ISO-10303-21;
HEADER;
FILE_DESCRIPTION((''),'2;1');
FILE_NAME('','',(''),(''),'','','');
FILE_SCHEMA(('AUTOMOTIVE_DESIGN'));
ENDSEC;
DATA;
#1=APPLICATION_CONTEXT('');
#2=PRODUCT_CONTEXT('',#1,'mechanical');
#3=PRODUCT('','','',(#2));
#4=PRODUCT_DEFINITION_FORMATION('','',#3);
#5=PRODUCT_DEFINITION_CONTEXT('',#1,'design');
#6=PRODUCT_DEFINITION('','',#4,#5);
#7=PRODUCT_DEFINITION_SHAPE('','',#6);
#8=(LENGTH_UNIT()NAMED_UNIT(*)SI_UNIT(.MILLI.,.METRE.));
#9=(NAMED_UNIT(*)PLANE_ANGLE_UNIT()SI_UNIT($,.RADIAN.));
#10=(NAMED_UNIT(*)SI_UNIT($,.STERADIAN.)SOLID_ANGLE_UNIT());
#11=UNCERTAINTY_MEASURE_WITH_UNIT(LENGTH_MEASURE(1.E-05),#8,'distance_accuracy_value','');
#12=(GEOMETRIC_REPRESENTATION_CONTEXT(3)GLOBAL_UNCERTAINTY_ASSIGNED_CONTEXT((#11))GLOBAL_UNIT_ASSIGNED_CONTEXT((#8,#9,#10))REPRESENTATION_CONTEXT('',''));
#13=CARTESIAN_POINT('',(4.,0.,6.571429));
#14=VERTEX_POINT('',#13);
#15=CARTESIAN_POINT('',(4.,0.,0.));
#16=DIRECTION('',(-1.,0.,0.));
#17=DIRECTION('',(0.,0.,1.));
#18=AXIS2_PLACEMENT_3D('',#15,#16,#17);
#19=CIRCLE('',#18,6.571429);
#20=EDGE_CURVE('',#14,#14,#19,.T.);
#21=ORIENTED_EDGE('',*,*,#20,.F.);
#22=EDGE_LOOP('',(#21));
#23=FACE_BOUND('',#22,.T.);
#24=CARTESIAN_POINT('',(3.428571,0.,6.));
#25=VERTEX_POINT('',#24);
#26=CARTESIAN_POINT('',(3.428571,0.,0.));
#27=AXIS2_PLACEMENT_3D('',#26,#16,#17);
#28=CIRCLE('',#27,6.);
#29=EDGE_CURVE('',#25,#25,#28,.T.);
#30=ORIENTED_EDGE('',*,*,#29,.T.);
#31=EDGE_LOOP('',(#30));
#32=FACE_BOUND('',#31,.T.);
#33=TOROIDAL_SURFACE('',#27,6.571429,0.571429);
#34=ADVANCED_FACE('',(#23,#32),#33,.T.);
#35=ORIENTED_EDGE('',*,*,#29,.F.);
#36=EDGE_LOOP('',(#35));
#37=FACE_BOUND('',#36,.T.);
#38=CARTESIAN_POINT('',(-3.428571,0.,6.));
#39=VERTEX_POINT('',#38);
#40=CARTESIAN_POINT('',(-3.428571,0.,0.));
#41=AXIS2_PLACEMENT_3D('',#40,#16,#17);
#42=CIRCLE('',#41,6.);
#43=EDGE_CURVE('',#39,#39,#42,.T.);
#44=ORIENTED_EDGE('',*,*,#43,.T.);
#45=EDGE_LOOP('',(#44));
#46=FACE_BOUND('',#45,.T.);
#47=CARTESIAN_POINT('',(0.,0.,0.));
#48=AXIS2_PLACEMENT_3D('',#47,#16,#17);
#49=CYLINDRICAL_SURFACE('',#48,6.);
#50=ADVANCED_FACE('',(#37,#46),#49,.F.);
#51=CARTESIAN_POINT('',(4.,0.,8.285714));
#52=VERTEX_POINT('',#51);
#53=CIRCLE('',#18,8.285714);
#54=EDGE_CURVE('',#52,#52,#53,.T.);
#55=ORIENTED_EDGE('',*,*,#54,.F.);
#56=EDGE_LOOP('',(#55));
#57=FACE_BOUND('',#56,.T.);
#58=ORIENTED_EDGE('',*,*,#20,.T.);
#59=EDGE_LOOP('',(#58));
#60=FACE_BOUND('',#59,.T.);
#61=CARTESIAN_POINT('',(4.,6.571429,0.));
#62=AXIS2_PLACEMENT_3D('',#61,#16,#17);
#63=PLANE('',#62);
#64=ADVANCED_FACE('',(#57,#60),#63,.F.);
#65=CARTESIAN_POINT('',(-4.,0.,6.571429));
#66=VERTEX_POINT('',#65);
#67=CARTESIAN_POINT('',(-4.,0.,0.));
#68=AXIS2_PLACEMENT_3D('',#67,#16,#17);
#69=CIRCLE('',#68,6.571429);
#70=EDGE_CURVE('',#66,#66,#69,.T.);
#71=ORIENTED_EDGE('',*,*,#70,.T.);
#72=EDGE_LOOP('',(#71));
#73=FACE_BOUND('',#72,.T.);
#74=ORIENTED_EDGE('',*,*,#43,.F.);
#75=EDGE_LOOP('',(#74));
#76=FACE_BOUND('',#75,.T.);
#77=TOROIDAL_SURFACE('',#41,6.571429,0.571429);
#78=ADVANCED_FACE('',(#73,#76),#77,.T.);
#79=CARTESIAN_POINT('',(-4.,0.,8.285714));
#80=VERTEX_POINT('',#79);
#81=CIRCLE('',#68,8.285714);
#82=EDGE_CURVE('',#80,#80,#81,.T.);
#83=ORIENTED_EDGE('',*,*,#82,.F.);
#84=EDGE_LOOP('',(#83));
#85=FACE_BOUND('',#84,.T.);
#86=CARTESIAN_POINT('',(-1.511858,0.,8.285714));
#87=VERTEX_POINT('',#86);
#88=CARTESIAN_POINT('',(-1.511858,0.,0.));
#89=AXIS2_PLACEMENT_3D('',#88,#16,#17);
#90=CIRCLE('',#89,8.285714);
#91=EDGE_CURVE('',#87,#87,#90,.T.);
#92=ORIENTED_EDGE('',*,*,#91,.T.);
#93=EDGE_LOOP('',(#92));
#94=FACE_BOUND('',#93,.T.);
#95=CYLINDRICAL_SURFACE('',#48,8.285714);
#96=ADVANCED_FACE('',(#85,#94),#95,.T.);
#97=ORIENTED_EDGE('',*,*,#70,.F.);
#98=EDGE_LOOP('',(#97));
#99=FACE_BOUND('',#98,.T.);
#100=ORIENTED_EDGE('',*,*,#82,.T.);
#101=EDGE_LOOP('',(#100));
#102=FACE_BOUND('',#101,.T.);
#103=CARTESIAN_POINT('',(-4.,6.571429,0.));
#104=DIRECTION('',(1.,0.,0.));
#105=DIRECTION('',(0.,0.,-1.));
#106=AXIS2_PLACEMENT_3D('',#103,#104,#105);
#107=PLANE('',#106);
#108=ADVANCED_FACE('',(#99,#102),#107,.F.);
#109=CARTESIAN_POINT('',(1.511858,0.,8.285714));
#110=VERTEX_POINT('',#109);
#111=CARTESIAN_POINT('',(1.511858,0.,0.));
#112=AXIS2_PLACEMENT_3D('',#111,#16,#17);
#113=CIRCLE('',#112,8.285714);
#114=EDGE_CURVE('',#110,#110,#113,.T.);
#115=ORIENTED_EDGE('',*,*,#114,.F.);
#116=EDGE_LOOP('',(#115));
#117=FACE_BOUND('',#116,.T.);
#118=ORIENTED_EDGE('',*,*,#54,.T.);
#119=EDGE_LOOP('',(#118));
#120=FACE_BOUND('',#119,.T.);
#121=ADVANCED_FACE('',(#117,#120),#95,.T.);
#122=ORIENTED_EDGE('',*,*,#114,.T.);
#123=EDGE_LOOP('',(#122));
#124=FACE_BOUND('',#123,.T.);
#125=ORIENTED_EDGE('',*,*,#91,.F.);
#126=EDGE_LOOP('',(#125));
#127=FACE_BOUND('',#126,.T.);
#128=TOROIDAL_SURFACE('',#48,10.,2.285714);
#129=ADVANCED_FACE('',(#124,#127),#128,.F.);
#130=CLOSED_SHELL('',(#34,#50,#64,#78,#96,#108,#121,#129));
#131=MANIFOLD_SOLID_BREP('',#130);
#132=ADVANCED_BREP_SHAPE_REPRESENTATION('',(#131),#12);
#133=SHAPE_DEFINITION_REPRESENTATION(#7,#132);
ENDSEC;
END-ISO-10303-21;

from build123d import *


with BuildPart() as part:
    # Esquisse1 → Base-Révolution (revolve)
    with BuildSketch(Plane.XY):
        with BuildLine():
            Line((-3.428571429, 6), (3.428571429, 6))
            ThreePointArc((3.428571429, 6), (3.832632446, 6.167367554), (4, 6.571428571))
            Line((4, 6.571428571), (4, 8.285714286))
            Line((4, 8.285714286), (1.511857892, 8.285714286))
            ThreePointArc((1.511857892, 8.285714286), (0, 7.714285714), (-1.511857892, 8.285714286))
            Line((-1.511857892, 8.285714286), (-4, 8.285714286))
            Line((-4, 8.285714286), (-4, 6.571428571))
            ThreePointArc((-4, 6.571428571), (-3.832632446, 6.167367554), (-3.428571429, 6))
        make_face()
    revolve(axis=Axis((0, 0, 0), (1, 0, 0)))


solid = part.part
